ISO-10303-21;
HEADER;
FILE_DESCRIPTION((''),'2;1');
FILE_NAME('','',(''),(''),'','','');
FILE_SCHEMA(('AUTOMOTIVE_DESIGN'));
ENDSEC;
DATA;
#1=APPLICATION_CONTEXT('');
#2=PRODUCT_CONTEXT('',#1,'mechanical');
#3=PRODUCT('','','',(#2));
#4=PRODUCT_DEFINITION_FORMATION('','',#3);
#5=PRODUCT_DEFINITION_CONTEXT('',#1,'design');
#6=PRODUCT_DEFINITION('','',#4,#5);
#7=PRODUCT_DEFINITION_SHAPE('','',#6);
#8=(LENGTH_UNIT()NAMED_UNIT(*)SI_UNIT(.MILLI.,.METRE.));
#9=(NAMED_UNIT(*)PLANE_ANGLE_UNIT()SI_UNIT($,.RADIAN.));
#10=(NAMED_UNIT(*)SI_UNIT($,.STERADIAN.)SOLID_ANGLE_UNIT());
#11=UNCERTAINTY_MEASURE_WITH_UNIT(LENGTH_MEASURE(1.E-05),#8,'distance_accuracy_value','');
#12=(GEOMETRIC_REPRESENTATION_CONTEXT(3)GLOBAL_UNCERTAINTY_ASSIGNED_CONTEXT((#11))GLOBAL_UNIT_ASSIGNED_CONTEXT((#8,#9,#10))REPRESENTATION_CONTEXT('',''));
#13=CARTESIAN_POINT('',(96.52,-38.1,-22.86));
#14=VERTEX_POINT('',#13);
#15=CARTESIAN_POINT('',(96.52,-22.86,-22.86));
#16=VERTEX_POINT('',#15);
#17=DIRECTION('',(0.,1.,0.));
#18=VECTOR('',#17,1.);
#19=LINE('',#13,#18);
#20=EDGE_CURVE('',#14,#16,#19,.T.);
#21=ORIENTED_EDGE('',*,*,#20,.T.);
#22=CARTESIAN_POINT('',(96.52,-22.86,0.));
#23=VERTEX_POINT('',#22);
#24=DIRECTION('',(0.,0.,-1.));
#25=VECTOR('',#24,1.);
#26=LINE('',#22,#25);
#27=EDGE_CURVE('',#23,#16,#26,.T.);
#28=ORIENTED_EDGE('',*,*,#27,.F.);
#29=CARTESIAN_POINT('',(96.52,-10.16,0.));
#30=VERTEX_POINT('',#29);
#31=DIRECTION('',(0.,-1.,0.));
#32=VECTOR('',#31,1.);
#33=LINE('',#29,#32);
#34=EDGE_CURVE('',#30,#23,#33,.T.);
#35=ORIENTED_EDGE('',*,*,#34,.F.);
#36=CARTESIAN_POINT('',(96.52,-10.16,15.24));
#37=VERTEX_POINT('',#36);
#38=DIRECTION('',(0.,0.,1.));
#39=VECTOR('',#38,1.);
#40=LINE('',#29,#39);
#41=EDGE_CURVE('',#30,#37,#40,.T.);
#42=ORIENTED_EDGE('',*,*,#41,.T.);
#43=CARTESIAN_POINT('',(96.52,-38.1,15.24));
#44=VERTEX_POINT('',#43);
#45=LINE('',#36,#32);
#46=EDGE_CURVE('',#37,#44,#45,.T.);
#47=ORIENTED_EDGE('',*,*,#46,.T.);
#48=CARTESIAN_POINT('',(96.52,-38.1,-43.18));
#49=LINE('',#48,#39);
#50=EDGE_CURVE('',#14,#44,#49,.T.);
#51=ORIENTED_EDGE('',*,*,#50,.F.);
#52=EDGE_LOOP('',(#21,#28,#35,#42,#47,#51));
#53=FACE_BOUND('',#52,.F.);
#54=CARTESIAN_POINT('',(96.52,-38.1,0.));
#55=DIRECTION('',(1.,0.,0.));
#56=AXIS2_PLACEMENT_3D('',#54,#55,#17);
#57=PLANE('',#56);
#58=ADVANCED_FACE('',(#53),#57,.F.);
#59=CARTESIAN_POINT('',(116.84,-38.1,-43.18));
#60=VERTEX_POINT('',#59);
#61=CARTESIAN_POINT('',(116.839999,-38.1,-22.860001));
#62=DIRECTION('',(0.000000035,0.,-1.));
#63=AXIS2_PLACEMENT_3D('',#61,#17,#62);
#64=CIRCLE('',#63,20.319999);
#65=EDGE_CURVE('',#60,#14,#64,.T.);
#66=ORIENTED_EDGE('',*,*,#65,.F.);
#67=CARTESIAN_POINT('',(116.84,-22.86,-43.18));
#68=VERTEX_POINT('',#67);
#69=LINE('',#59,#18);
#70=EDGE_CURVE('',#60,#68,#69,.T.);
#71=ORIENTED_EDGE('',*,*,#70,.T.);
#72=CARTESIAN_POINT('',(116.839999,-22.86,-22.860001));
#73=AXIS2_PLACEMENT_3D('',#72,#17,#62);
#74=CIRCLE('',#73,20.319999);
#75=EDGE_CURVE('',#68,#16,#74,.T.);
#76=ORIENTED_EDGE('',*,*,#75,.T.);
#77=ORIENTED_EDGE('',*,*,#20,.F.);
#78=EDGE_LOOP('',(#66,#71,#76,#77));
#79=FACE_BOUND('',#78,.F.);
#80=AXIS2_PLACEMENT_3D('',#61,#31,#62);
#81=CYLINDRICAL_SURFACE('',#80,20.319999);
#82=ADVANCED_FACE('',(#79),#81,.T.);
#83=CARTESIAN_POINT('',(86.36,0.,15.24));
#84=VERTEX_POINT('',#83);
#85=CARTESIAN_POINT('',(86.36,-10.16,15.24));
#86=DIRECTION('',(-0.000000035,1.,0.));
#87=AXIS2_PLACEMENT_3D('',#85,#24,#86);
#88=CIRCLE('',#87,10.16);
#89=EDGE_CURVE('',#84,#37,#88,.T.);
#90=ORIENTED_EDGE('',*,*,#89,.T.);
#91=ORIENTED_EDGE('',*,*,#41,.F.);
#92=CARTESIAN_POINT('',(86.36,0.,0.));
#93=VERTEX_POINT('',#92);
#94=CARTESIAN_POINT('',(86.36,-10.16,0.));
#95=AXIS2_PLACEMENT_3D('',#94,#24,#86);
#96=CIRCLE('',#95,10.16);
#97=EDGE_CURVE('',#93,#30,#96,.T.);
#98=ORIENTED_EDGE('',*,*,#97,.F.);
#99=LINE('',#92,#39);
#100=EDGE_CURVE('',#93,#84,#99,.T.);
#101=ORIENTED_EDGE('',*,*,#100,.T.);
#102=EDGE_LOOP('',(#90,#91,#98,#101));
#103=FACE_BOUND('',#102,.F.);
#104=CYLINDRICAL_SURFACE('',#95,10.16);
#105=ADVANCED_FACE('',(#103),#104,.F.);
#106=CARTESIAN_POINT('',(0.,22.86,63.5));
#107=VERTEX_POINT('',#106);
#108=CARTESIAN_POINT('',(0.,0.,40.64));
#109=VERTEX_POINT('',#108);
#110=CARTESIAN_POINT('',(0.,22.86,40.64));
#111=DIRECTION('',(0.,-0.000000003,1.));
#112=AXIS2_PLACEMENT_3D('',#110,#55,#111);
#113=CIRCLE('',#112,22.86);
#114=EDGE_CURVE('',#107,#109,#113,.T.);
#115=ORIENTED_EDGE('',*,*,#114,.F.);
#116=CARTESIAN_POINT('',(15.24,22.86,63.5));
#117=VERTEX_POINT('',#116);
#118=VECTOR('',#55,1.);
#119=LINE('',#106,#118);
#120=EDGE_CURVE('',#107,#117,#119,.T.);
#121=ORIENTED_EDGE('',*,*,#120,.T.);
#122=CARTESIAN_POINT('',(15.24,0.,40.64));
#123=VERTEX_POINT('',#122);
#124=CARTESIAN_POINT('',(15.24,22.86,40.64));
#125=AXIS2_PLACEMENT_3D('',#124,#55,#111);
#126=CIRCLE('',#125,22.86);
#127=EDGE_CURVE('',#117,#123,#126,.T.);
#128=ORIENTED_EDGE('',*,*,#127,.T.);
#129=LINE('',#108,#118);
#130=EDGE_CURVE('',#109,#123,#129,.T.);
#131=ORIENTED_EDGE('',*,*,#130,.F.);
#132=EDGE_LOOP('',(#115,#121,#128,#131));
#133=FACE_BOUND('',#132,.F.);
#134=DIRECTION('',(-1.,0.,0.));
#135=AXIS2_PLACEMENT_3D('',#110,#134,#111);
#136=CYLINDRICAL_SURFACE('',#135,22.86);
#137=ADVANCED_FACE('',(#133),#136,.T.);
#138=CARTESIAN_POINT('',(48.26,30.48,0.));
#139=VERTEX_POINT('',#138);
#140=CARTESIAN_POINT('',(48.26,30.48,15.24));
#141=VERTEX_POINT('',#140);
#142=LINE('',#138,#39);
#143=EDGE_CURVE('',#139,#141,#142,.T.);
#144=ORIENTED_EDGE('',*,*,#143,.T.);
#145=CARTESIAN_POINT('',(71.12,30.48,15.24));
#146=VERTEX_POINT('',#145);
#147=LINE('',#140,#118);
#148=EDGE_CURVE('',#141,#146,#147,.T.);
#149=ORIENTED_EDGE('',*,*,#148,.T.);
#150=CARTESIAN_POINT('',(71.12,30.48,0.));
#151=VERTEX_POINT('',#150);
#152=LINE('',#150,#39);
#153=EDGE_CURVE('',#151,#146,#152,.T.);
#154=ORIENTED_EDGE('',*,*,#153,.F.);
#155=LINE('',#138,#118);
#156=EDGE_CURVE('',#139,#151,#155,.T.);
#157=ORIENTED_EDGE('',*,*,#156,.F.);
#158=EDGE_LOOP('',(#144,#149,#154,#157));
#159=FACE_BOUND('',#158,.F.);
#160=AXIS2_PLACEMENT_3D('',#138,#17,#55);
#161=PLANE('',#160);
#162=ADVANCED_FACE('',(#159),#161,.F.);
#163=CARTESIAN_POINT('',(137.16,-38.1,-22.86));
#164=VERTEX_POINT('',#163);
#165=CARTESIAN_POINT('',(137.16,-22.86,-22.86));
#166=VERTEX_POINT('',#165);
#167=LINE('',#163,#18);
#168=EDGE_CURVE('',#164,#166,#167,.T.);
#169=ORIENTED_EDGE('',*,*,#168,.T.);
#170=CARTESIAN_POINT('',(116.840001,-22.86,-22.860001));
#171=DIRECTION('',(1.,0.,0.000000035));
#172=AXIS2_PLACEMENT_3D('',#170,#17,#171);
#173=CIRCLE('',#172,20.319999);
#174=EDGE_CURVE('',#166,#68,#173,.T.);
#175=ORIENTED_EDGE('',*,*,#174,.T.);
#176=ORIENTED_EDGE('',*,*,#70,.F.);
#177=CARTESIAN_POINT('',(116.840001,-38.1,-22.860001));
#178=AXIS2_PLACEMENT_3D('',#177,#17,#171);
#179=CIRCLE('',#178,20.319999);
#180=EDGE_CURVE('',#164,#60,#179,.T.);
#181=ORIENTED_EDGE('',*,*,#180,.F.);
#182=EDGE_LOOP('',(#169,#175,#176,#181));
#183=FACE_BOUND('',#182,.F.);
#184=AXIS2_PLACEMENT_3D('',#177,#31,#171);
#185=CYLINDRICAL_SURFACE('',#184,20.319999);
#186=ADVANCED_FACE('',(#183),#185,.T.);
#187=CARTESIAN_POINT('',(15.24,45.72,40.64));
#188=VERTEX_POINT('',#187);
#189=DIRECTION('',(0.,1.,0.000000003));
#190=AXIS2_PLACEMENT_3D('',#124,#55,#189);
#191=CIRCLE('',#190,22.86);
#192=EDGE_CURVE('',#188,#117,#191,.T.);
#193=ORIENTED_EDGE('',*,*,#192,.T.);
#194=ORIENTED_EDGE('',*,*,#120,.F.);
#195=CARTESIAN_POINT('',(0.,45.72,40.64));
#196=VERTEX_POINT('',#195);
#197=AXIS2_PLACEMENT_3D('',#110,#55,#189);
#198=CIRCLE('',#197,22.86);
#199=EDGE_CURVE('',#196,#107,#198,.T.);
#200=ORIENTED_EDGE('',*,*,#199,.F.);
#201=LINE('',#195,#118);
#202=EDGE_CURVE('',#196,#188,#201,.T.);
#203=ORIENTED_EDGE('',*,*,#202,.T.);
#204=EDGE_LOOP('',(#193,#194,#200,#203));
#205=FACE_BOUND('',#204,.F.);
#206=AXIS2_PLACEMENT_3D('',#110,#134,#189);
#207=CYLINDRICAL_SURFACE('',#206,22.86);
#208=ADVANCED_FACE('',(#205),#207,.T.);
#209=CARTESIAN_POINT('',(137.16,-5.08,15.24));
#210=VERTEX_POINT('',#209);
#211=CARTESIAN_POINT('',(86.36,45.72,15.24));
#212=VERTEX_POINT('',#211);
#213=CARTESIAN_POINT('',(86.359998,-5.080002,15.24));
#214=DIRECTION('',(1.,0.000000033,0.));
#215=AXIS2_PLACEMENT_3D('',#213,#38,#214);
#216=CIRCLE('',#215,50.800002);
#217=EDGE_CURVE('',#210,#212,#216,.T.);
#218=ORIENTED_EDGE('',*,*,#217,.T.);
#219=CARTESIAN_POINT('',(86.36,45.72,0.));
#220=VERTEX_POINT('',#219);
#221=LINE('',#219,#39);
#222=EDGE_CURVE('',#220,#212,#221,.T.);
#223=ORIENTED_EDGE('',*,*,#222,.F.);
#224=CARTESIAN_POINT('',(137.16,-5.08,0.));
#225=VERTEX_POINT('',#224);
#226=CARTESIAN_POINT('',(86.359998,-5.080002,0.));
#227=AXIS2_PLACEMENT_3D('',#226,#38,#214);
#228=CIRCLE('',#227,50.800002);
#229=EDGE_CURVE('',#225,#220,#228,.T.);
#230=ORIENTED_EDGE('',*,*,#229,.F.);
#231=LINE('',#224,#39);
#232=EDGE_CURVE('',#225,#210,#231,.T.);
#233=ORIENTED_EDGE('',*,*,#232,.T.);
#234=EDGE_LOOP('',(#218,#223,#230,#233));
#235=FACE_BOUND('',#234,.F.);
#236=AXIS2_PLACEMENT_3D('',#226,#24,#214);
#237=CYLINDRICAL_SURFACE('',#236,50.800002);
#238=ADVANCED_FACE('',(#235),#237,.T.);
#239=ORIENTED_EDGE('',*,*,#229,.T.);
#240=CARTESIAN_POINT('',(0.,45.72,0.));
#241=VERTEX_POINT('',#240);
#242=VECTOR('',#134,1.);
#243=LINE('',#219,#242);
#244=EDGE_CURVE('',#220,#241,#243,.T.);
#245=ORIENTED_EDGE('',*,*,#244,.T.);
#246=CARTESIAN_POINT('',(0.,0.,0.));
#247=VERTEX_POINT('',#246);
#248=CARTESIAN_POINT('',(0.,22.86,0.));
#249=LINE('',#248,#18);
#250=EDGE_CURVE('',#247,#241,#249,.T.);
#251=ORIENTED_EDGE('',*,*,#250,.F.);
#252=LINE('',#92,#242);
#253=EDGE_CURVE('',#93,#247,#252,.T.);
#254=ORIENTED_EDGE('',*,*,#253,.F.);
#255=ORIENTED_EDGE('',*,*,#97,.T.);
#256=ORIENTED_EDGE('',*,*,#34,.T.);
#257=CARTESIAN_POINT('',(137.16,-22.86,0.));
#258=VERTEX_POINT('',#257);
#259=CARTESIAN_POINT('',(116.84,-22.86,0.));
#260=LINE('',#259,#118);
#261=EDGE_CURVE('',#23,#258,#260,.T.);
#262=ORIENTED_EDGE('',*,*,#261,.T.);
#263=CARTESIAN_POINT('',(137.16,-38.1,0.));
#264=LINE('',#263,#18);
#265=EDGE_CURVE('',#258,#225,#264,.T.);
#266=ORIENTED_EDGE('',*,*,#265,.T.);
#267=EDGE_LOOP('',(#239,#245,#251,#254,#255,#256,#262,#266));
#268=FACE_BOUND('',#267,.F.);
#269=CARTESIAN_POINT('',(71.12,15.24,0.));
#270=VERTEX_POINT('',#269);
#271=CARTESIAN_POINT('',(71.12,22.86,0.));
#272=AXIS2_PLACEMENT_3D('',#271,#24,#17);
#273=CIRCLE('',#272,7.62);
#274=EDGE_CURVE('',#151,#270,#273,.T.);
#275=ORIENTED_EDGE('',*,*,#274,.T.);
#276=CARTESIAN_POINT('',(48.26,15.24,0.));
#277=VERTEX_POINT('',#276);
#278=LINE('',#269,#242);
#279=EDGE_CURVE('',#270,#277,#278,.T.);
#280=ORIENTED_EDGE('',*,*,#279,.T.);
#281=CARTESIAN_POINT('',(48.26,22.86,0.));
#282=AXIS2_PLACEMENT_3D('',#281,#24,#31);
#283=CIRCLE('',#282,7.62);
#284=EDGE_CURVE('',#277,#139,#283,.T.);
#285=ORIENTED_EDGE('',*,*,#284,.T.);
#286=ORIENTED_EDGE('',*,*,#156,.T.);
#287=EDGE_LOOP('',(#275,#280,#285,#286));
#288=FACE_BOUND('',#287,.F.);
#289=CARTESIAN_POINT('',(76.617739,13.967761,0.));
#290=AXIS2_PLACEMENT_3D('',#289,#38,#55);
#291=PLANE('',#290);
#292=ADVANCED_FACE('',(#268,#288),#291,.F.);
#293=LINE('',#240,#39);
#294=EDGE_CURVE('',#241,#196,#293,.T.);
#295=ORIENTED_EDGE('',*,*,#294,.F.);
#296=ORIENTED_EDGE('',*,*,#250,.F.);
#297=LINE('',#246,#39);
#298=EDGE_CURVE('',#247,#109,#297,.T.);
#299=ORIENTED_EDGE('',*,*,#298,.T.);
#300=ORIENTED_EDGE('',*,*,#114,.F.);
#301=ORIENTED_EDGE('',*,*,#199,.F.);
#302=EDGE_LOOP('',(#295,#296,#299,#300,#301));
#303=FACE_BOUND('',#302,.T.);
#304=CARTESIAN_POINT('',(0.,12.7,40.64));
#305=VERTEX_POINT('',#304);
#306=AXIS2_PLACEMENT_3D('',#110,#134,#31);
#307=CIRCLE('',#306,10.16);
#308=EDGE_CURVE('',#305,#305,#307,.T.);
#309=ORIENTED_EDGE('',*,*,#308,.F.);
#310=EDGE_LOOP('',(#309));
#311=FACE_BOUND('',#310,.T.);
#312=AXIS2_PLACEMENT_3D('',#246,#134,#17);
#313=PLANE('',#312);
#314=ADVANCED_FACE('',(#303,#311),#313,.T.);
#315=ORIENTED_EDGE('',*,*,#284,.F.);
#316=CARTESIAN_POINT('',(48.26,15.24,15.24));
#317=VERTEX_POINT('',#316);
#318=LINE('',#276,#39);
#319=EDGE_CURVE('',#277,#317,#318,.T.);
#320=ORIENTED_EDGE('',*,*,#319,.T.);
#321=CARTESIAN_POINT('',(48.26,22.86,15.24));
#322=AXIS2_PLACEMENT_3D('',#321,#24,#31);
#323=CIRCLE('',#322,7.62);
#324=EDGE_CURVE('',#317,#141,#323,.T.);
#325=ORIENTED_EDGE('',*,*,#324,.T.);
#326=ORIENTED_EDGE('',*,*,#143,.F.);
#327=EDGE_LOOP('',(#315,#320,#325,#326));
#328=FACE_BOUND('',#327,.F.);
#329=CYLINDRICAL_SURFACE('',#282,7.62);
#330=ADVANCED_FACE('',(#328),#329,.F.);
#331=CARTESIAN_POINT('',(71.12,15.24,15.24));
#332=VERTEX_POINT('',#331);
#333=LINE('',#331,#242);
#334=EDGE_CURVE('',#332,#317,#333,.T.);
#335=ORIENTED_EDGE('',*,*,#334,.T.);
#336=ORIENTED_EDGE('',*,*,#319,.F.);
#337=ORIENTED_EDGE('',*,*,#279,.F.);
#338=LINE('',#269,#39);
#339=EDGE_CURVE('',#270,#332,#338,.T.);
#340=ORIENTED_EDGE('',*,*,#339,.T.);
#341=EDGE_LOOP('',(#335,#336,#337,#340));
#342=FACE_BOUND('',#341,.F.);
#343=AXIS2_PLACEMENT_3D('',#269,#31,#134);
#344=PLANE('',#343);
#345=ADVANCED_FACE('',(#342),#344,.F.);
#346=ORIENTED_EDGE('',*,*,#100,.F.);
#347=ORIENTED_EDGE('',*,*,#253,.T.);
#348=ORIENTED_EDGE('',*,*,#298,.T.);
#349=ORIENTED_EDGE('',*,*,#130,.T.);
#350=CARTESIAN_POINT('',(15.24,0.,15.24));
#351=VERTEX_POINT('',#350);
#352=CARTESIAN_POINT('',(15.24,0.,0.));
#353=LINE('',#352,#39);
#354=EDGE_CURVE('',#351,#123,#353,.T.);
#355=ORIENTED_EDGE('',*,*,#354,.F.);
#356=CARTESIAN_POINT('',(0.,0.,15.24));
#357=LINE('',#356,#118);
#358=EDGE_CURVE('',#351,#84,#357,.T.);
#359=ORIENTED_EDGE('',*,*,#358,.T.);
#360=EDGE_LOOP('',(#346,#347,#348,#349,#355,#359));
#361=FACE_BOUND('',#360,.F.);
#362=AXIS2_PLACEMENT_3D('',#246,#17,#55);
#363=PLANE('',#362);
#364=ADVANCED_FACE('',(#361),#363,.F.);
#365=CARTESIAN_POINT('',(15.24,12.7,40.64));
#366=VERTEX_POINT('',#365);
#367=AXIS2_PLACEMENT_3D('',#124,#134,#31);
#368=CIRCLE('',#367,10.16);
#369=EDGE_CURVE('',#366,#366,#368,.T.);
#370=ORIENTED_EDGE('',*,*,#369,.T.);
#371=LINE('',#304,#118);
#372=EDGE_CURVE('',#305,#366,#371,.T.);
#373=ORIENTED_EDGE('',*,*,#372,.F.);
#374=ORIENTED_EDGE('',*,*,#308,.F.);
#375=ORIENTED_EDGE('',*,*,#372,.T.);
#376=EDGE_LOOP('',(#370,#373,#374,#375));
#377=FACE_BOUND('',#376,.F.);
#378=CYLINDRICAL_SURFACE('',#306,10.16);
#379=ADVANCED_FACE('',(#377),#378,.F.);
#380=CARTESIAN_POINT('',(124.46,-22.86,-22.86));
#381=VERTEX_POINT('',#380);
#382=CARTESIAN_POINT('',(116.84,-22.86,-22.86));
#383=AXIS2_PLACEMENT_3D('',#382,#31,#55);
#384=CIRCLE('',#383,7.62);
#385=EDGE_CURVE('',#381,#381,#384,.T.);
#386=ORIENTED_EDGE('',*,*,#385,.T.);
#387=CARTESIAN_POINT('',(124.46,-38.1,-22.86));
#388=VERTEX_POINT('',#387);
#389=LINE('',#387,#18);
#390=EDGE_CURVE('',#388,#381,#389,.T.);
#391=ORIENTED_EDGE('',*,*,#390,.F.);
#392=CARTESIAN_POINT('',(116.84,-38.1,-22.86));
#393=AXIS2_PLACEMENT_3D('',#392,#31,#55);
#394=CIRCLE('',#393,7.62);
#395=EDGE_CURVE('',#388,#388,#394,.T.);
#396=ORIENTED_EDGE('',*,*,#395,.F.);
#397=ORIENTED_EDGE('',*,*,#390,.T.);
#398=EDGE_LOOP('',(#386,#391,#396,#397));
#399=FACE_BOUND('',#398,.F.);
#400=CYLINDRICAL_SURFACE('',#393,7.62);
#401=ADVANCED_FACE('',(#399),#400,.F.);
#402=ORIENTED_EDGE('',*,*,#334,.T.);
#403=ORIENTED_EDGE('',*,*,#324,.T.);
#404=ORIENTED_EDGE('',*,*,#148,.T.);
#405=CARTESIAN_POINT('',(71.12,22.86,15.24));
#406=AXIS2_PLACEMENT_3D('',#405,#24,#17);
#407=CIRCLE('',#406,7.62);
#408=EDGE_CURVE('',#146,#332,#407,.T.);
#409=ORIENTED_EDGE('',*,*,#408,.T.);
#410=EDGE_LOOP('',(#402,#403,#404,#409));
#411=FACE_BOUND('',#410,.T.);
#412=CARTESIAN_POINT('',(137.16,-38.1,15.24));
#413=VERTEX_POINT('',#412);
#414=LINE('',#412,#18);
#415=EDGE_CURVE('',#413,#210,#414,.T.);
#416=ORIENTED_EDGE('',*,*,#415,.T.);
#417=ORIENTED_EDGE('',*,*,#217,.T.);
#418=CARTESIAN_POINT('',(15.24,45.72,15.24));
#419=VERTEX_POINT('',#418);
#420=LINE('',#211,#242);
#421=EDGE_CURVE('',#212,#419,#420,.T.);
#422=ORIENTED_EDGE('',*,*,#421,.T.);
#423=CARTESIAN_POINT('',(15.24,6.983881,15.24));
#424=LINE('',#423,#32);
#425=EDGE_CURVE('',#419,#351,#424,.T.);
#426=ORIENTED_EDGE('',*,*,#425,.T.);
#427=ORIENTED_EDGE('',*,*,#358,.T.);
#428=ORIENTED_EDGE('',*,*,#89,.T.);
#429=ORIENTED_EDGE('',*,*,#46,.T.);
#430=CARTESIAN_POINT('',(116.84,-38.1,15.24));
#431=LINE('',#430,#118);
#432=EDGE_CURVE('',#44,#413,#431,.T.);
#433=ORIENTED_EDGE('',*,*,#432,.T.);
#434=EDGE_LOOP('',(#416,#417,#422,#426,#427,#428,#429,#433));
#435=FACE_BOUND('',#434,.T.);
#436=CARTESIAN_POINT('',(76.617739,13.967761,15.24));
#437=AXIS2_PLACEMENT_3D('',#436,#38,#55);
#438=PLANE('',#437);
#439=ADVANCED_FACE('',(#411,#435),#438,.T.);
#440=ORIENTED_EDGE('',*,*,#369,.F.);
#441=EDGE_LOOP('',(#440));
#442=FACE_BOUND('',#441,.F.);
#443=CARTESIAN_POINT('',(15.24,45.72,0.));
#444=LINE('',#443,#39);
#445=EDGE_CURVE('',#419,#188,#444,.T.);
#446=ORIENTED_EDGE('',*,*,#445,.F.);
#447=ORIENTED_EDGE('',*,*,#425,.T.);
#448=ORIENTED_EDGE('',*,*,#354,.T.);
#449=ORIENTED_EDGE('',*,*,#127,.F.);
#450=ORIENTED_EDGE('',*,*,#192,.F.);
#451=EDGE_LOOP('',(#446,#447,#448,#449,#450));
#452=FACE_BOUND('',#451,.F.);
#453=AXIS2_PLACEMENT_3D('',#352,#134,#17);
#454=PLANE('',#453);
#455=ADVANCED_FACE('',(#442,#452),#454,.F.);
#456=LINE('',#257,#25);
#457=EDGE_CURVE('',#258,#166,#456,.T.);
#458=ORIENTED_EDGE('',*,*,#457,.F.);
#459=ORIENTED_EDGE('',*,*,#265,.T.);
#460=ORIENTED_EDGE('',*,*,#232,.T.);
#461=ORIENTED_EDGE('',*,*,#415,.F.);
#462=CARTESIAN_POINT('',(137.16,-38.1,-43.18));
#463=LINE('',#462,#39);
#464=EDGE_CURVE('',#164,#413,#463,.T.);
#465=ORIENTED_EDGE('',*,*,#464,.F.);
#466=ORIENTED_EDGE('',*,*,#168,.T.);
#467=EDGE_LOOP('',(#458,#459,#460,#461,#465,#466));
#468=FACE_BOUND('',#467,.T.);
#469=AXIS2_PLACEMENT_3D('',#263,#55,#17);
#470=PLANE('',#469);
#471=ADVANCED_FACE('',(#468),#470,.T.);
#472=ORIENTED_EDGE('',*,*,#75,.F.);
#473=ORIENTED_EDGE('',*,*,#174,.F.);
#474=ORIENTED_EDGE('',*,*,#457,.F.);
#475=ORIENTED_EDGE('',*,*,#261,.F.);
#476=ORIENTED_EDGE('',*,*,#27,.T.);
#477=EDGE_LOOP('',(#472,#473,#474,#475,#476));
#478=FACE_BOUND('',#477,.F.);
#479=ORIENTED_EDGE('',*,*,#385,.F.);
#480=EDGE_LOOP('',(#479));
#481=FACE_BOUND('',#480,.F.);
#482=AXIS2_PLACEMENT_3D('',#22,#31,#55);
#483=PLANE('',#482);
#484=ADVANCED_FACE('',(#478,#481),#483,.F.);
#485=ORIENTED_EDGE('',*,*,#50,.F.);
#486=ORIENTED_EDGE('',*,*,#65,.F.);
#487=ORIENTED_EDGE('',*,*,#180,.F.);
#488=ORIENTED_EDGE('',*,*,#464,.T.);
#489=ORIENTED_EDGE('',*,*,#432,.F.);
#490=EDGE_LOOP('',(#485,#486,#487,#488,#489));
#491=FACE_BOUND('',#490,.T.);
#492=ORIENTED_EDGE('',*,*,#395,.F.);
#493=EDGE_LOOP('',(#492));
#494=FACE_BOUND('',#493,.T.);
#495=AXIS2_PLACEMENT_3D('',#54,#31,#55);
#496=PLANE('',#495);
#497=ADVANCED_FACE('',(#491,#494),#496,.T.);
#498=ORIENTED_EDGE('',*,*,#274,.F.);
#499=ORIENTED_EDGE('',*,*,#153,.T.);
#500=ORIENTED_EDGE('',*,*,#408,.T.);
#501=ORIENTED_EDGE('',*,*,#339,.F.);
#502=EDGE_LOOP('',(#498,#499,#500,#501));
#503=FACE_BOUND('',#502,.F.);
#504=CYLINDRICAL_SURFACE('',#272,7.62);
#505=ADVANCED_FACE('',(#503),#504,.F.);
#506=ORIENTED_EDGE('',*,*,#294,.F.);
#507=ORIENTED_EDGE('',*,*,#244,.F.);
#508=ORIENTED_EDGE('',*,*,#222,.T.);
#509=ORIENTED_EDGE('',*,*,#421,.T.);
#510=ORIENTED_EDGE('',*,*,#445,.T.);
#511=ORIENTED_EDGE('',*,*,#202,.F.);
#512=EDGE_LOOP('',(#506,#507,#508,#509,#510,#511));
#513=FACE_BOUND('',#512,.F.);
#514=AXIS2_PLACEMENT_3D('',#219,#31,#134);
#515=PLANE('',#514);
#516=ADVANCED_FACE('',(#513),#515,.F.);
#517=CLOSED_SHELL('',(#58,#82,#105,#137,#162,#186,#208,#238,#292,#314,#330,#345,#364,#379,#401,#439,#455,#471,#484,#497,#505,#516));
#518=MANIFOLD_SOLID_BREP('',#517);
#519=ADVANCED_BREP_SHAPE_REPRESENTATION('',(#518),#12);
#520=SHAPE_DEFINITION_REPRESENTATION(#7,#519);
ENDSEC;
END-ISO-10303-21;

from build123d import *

# Parameters (mm, degrees)
F0_W     = 15.24
F0_H     = 45.72
F0_W_2   = 40.64
F0_H_2   = 15.24
F1_DEPTH = 15.24
F2_DEPTH = 63.5
F3_DEPTH = 43.18
F4_R     = 10.16
F5_DEPTH = 15.24
F6_R     = 7.62
F7_DEPTH = 15.24


with BuildPart() as f1:
    # F0 (on Top) → F1 (new body)
    with BuildSketch(Plane.XY):
        with BuildLine():
            Line((15.24, 45.72), (15.24, 0))
            Line((15.24, 0), (86.36, 0))
            ThreePointArc((86.36, 0), (93.544205, -2.975795), (96.52, -10.16))
            Line((96.52, -10.16), (96.52, -22.86))
            Line((96.52, -22.86), (137.16, -22.86))
            Line((137.16, -22.86), (137.16, -5.08))
            ThreePointArc((137.16, -5.08), (122.281024, 30.841024), (86.36, 45.72))
            Line((86.36, 45.72), (15.24, 45.72))
        make_face()
        with BuildLine():
            ThreePointArc((48.26, 15.24), (40.64, 22.86), (48.26, 30.48))
            Line((48.26, 30.48), (71.12, 30.48))
            ThreePointArc((71.12, 30.48), (78.74, 22.86), (71.12, 15.24))
            Line((71.12, 15.24), (48.26, 15.24))
        make_face(mode=Mode.SUBTRACT)
        with Locations((7.62, 22.86)):
            Rectangle(F0_W, F0_H)
        with Locations((116.84, -30.48)):
            Rectangle(F0_W_2, F0_H_2)
    extrude(amount=F1_DEPTH)

    # F0 (on Top) → F2 (join)
    with BuildSketch(Plane.XY):
        with Locations((7.62, 22.86)):
            Rectangle(F0_W, F0_H)
    extrude(amount=F2_DEPTH)

    # F0 (on Top) → F3 (join)
    with BuildSketch(Plane.XY):
        with Locations((116.84, -30.48)):
            Rectangle(F0_W_2, F0_H_2)
    extrude(amount=-F3_DEPTH)

    # F4 (on face) → F5 (cut, through all)
    with BuildSketch(Plane(origin=(0, 0, 0), x_dir=(0, -1, 0), z_dir=(-1, 0, 0))):
        with BuildLine():
            ThreePointArc((-22.86, 63.5), (-6.695539, 56.804461), (0, 40.64))
            Line((0, 40.64), (0, 63.5))
            Line((0, 63.5), (-22.86, 63.5))
        make_face()
        with BuildLine():
            Line((-45.72, 63.5), (-45.72, 40.64))
            ThreePointArc((-45.72, 40.64), (-39.024461, 56.804461), (-22.86, 63.5))
            Line((-22.86, 63.5), (-45.72, 63.5))
        make_face()
        with Locations((-22.86, 40.64)):
            Circle(F4_R)
    extrude(amount=-F5_DEPTH, mode=Mode.SUBTRACT)

    # F6 (on face) → F7 (cut, through all)
    with BuildSketch(Plane.XZ.offset(38.1)):
        with BuildLine():
            ThreePointArc((137.16, -22.86), (131.20841, -37.22841), (116.84, -43.18))
            Line((116.84, -43.18), (137.16, -43.18))
            Line((137.16, -43.18), (137.16, -22.86))
        make_face()
        with BuildLine():
            ThreePointArc((116.84, -43.18), (102.47159, -37.22841), (96.52, -22.86))
            Line((96.52, -22.86), (96.52, -43.18))
            Line((96.52, -43.18), (116.84, -43.18))
        make_face()
        with Locations((116.84, -22.86)):
            Circle(F6_R)
    extrude(amount=-F7_DEPTH, mode=Mode.SUBTRACT)


solid = f1.part
